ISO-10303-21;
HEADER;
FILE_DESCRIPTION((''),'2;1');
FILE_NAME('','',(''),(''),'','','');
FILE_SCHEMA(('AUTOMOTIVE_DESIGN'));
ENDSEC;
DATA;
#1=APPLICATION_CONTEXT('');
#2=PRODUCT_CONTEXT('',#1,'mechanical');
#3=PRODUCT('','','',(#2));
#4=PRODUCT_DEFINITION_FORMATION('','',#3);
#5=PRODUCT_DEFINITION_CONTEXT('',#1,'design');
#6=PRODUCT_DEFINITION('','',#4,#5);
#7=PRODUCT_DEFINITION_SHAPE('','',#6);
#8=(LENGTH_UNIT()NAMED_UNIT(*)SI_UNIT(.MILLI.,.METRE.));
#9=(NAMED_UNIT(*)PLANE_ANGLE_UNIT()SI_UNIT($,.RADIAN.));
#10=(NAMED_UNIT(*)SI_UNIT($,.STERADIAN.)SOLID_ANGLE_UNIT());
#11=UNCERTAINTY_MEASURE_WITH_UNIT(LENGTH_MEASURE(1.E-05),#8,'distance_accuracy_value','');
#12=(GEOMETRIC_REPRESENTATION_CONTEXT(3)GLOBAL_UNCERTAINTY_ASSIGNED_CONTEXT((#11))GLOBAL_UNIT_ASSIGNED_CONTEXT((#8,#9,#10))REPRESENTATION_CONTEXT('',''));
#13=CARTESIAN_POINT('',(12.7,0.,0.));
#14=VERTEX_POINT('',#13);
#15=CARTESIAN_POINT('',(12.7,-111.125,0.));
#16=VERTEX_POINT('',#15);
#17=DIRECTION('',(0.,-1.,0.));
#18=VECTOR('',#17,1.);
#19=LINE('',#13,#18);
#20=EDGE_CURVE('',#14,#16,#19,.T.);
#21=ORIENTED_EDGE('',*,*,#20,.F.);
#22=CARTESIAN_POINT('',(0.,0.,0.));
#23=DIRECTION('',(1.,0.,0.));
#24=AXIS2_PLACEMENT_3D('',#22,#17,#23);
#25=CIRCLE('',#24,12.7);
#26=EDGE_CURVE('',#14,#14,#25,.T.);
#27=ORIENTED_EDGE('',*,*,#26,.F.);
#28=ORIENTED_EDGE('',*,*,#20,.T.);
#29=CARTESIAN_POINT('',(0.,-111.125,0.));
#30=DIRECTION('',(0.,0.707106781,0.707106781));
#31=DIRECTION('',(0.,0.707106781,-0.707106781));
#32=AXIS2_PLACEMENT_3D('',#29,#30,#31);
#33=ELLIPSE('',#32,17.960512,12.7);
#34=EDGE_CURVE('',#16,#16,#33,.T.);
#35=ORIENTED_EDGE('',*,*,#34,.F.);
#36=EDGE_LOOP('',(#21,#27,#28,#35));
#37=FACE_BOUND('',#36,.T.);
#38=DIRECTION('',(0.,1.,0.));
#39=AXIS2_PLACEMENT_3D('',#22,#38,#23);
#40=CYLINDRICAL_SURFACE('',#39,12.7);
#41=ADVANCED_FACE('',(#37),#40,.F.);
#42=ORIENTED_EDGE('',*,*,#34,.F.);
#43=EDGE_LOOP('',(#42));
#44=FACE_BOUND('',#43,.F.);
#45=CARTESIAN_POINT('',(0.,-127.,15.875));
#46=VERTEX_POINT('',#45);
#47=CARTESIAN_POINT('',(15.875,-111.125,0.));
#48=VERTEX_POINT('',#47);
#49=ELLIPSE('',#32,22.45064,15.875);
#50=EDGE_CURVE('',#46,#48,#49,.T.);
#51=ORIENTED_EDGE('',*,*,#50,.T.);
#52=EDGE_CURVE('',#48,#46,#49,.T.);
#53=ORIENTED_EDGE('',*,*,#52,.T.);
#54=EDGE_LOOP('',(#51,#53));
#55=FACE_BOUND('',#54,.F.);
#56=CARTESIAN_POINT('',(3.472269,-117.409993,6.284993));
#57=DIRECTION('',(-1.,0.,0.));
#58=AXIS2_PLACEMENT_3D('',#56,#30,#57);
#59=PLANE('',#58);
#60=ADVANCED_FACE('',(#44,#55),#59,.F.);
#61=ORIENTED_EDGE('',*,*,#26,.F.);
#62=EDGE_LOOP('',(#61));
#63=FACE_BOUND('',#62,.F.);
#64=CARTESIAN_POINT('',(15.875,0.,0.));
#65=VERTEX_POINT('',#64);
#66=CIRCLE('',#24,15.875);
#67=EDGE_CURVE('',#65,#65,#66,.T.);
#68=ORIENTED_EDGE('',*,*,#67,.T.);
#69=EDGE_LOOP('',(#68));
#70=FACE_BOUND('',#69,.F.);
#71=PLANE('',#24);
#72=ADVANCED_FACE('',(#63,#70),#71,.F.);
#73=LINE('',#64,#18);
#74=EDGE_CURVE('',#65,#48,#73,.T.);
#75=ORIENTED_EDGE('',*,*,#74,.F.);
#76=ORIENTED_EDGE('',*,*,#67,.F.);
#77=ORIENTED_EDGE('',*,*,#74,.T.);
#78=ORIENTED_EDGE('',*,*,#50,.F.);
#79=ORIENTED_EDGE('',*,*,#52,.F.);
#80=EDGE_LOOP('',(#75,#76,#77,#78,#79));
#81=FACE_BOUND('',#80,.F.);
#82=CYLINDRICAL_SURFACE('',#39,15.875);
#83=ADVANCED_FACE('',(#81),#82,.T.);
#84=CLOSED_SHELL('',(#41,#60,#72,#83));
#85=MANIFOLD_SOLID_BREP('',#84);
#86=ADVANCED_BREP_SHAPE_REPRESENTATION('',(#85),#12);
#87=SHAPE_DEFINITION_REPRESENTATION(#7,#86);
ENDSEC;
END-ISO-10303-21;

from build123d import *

# Parameters (mm, degrees)
F0_R     = 15.875
F0_R_2   = 12.7
F1_DEPTH = 127
F5_W     = 160.602808
F5_H     = 111.563783
F6_DEPTH = 25.4


with BuildPart() as f1:
    # F0 (on Front) → F1 (new body)
    with BuildSketch(Plane.XZ):
        Circle(F0_R)
        Circle(F0_R_2, mode=Mode.SUBTRACT)
    extrude(amount=F1_DEPTH)

    # F5 (on face) → F6 (cut)
    with BuildSketch(Plane(origin=(0, -55.5625, -55.5625), x_dir=(-1, 0, 0), z_dir=(0, 0.707107, 0.707107))):
        with Locations((-3.472269, 87.465564)):
            Rectangle(F5_W, F5_H)
    extrude(amount=-F6_DEPTH, mode=Mode.SUBTRACT)


solid = f1.part
